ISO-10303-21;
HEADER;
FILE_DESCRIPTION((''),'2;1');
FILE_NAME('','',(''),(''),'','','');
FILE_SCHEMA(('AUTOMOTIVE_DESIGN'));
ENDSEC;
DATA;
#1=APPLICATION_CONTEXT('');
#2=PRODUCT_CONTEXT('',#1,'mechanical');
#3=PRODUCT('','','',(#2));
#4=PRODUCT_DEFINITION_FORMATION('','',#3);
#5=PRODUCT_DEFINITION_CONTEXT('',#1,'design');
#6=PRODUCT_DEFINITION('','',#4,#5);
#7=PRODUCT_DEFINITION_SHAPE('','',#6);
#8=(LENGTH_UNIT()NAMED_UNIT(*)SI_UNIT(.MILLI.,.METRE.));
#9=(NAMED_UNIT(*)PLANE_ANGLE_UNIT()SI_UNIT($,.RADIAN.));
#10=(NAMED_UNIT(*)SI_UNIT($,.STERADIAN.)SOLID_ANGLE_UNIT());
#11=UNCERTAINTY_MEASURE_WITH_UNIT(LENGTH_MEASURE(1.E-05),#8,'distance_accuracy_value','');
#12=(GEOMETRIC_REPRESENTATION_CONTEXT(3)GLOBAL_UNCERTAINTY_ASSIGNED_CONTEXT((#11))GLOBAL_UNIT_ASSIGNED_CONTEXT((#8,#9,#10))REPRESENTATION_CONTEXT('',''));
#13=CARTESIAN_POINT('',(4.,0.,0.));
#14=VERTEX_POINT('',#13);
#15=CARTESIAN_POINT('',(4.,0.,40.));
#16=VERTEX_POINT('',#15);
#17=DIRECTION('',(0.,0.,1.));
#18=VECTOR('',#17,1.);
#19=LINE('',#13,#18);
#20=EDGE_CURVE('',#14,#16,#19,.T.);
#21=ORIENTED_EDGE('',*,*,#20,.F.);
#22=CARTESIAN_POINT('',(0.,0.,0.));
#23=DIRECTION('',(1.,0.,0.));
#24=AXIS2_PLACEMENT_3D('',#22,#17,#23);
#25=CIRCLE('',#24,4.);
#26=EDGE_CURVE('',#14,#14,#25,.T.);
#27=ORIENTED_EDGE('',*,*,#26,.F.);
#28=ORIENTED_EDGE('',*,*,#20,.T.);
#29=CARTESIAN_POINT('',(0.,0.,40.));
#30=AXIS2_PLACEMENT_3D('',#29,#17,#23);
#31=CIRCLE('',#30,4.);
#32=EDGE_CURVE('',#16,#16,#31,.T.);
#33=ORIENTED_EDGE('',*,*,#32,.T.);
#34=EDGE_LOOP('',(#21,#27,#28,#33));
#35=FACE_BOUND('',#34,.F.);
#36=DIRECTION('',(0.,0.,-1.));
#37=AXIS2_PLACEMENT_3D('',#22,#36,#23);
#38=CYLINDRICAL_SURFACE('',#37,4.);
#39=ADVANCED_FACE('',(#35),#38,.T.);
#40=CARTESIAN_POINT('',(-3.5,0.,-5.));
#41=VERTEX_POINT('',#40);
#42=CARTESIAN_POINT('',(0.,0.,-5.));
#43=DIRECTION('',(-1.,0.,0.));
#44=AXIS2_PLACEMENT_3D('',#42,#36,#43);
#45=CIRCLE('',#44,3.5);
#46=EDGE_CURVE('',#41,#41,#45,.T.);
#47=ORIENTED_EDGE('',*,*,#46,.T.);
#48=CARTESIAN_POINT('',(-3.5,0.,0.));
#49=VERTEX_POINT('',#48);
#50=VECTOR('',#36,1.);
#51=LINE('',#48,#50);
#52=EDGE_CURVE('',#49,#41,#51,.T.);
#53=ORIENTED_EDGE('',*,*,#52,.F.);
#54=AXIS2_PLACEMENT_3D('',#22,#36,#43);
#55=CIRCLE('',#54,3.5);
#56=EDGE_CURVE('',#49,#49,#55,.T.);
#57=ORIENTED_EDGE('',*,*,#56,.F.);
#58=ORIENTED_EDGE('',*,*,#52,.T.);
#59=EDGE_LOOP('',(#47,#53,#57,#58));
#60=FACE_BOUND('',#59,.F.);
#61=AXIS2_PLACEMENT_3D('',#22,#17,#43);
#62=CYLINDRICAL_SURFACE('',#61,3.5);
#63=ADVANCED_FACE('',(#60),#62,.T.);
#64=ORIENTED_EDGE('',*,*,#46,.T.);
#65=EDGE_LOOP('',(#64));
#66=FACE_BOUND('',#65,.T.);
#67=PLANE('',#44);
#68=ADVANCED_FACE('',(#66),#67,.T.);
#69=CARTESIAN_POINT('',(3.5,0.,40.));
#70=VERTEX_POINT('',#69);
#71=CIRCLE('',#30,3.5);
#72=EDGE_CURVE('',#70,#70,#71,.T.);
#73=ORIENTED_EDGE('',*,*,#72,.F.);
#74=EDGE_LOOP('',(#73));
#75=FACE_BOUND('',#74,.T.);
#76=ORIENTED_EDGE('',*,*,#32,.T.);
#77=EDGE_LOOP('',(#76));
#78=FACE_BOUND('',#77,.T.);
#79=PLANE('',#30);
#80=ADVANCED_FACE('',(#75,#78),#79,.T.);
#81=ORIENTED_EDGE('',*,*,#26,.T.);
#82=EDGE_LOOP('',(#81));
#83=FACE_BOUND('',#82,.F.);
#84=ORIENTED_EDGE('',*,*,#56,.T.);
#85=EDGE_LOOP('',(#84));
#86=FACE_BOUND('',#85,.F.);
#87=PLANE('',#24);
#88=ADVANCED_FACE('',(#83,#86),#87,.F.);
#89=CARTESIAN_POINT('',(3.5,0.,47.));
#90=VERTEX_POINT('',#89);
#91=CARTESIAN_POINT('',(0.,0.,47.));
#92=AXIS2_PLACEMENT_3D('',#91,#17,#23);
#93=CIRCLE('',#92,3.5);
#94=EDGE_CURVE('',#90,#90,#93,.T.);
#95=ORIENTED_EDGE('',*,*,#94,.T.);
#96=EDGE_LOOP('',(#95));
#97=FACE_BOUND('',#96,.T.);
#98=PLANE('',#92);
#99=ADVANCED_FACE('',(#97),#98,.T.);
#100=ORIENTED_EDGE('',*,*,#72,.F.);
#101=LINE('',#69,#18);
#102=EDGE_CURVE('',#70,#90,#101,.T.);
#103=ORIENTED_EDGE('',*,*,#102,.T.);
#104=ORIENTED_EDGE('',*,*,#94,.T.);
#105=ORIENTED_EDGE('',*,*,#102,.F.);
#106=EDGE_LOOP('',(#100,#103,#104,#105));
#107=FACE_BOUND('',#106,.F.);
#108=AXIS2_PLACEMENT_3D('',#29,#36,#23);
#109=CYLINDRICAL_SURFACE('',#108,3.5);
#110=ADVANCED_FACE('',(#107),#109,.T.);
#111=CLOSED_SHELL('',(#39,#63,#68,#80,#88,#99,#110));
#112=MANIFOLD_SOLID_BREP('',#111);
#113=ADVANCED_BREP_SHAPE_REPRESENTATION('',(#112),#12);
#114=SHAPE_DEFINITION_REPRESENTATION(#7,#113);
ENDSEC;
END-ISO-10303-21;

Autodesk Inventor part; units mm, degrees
ref_plane "YZ Plane" through (0, 0, 0) normal (1, 0, 0) x (0, 1, 0)
ref_plane "XZ Plane" through (0, 0, 0) normal (0, 1, 0) x (-1, 0, 0)
ref_plane "XY Plane" through (0, 0, 0) normal (0, 0, 1) x (1, 0, 0)
sketch "Skizze1" plane through (0, 0, 0) normal (0, 0, 1) x (1, 0, 0)
  circle A0 centre (0, 0) radius 4
  dimension "d0" = 8
extrude "Extrusion1" add sketch "Skizze1" along normal blind 40
sketch "Skizze2" plane through (0, 0, 0) normal (0, 0, -1) x (-1, 0, 0)
  circle A0 centre (0, 0) radius 3.5
  dimension "d3" = 7
extrude "Extrusion2" add sketch "Skizze2" along normal blind 5
thread "Gewinde1" size "M8x1.25" class "6g" standard "ANSI Metric M Profile" full length
sketch "Skizze3" plane through (0, 0, 40) normal (0, 0, 1) x (1, 0, 0)
  circle A0 centre (0, 0) radius 3.5
  dimension "d8" = 7
extrude "Extrusion3" add sketch "Skizze3" along normal blind 7
properties part number "M8 inductive probe"
